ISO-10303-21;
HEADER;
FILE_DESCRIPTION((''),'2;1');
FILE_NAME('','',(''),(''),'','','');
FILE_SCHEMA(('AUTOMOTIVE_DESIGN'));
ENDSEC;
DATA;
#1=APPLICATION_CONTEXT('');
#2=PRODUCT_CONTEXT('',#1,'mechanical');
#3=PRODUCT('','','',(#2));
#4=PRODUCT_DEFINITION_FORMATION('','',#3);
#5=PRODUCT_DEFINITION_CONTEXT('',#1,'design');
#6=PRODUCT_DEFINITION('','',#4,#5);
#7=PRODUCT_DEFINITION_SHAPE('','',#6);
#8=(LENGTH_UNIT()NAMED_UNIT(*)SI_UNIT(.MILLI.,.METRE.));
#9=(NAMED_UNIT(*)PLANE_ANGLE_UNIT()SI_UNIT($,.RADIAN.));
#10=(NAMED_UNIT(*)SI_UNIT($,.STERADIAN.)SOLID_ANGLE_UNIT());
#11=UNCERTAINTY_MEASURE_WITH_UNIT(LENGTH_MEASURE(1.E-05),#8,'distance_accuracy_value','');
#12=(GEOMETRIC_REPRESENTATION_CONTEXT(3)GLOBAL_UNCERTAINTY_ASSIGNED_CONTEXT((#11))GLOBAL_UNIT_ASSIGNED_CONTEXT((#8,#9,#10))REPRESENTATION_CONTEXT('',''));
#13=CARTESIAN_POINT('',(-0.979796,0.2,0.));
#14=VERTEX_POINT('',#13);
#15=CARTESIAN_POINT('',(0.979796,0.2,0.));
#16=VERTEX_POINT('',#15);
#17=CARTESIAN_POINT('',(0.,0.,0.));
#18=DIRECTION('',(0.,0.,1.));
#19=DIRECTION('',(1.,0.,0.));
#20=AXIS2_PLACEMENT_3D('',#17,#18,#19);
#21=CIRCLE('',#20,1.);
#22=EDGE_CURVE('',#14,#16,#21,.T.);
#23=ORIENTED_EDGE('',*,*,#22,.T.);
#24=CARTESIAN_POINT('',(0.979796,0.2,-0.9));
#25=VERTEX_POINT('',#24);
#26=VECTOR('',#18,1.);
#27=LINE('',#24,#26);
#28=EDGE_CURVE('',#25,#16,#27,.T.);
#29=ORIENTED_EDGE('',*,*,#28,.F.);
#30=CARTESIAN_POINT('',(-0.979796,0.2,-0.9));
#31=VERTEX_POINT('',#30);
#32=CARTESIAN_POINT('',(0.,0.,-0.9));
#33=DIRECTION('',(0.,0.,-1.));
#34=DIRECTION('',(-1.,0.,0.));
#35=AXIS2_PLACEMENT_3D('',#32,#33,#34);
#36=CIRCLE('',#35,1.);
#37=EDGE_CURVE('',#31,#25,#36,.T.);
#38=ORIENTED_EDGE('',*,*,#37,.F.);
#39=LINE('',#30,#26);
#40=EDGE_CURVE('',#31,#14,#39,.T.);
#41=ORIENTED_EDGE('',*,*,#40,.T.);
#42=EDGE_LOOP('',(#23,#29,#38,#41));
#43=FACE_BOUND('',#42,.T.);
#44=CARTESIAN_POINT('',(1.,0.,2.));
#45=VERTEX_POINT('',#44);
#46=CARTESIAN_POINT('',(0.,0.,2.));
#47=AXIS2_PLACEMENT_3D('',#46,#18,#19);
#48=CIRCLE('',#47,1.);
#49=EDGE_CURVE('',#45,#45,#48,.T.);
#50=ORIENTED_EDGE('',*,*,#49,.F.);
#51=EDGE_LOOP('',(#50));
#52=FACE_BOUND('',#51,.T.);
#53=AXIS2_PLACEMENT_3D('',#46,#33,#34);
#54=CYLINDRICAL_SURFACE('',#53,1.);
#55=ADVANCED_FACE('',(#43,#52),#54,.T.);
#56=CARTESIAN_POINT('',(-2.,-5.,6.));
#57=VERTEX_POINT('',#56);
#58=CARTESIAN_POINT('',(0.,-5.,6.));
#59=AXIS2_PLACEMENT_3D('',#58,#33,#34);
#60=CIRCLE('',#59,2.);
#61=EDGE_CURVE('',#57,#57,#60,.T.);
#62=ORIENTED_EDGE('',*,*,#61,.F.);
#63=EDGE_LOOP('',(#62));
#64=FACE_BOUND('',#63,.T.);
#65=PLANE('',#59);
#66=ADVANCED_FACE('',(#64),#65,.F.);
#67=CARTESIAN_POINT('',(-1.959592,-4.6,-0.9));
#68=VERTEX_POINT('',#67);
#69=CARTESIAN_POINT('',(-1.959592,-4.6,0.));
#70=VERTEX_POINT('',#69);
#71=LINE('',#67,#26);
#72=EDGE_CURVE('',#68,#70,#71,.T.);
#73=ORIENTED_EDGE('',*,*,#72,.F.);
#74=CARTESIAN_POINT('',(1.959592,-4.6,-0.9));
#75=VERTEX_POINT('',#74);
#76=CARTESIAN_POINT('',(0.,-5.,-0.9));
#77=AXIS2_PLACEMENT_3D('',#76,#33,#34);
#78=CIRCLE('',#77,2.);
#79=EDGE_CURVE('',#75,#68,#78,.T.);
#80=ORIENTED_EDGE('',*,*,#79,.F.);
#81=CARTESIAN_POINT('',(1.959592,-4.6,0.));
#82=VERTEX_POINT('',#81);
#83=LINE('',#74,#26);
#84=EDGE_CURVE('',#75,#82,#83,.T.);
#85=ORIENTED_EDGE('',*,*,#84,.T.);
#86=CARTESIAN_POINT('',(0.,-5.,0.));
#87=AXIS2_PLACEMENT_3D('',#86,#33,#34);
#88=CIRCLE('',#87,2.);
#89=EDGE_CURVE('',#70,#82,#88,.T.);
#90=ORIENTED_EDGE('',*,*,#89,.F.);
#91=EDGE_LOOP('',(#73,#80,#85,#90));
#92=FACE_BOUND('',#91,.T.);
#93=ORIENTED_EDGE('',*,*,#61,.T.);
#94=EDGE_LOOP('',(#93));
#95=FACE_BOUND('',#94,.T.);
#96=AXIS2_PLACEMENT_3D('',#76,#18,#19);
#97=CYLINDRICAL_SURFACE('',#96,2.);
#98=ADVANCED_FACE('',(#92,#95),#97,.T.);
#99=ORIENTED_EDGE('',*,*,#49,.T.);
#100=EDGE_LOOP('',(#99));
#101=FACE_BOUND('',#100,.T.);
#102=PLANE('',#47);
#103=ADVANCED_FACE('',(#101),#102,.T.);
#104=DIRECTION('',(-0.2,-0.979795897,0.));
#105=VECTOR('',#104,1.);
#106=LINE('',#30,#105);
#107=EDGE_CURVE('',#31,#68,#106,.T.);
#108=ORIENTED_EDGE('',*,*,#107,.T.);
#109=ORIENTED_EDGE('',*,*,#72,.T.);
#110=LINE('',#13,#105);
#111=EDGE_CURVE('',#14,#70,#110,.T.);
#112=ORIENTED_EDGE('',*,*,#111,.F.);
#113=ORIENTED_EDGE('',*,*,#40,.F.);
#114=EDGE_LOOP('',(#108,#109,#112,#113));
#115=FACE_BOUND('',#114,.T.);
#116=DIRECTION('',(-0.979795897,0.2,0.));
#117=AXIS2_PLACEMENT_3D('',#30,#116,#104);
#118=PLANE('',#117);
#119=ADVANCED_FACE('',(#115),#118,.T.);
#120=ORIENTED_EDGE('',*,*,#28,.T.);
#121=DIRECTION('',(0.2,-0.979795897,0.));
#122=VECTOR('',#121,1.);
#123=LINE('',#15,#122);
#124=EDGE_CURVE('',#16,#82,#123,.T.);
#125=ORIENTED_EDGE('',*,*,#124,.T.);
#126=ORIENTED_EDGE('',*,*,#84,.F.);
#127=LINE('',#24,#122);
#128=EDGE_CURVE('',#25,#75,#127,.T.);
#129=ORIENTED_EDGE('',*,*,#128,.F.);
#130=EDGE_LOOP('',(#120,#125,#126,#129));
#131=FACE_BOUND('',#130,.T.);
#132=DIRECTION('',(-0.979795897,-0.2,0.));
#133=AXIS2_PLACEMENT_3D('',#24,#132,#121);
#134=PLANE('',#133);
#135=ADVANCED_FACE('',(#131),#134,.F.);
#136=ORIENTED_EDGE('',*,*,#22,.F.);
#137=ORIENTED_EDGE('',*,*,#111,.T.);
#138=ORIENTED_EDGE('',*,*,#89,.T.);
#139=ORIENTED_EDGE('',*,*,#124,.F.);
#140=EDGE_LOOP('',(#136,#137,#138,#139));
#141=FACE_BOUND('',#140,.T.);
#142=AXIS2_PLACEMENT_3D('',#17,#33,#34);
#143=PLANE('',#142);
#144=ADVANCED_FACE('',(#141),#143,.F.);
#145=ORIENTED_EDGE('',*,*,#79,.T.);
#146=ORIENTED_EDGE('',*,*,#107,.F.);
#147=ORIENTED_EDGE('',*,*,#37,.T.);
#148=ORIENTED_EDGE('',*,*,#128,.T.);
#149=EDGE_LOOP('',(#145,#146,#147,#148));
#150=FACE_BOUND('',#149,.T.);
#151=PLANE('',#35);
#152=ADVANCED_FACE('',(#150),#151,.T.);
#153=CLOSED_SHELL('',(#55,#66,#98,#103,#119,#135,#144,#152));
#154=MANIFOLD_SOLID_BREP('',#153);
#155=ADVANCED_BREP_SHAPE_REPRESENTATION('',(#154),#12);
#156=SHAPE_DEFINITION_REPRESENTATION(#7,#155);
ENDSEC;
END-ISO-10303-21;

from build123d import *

# Parameters (mm, degrees)
SKETCH_1_R      = 1
EXTRUDE_1_DEPTH = 2
SKETCH_2_R      = 2
EXTRUDE_2_DEPTH = 6
EXTRUDE_START   = 0.9
SKETCH_3_R      = 1
SKETCH_3_R_2    = 2
EXTRUDE_3_DEPTH = 0.9


with BuildPart() as part:
    # 스케치1 → 보스-돌출1 (new body)
    with BuildSketch(Plane.XY):
        Circle(SKETCH_1_R)
    extrude(amount=EXTRUDE_1_DEPTH)



with BuildPart() as body_2:
    # 스케치2 → 보스-돌출2 (new body)
    with BuildSketch(Plane(origin=(0, 0, 0), x_dir=(-1, 0, 0), z_dir=(0, 0, -1))):
        with Locations((0, -5)):
            Circle(SKETCH_2_R)
    extrude(amount=-EXTRUDE_2_DEPTH)


with BuildPart() as part_1:
    add(part.part)

    add(body_2.part)  # 보스-돌출3 merges body 2
    # 스케치3 → 보스-돌출3 (add)
    with BuildSketch(Plane(origin=(0, 0, 0), x_dir=(-1, 0, 0), z_dir=(0, 0, -1)).offset(EXTRUDE_START)):
        with Locations(Location((0, 0, 0), (0, 0, 11.536959033))):
            Circle(SKETCH_3_R)
        with BuildLine():
            Line((1.959591794, -4.6), (0.979795897, 0.2))
            ThreePointArc((0.979795897, 0.2), (0.994936153, 0.100508962), (1, 0))
            ThreePointArc((1, 0), (-0.100508962, -0.994936153), (-0.979795897, 0.2))
            Line((-0.979795897, 0.2), (-1.959591794, -4.6))
            ThreePointArc((-1.959591794, -4.6), (0, -3), (1.959591794, -4.6))
        make_face()
        with Locations(Location((0, -5, 0), (0, 0, 168.463040967))):
            Circle(SKETCH_3_R_2)
    extrude(amount=-EXTRUDE_3_DEPTH)


solid = part_1.part
